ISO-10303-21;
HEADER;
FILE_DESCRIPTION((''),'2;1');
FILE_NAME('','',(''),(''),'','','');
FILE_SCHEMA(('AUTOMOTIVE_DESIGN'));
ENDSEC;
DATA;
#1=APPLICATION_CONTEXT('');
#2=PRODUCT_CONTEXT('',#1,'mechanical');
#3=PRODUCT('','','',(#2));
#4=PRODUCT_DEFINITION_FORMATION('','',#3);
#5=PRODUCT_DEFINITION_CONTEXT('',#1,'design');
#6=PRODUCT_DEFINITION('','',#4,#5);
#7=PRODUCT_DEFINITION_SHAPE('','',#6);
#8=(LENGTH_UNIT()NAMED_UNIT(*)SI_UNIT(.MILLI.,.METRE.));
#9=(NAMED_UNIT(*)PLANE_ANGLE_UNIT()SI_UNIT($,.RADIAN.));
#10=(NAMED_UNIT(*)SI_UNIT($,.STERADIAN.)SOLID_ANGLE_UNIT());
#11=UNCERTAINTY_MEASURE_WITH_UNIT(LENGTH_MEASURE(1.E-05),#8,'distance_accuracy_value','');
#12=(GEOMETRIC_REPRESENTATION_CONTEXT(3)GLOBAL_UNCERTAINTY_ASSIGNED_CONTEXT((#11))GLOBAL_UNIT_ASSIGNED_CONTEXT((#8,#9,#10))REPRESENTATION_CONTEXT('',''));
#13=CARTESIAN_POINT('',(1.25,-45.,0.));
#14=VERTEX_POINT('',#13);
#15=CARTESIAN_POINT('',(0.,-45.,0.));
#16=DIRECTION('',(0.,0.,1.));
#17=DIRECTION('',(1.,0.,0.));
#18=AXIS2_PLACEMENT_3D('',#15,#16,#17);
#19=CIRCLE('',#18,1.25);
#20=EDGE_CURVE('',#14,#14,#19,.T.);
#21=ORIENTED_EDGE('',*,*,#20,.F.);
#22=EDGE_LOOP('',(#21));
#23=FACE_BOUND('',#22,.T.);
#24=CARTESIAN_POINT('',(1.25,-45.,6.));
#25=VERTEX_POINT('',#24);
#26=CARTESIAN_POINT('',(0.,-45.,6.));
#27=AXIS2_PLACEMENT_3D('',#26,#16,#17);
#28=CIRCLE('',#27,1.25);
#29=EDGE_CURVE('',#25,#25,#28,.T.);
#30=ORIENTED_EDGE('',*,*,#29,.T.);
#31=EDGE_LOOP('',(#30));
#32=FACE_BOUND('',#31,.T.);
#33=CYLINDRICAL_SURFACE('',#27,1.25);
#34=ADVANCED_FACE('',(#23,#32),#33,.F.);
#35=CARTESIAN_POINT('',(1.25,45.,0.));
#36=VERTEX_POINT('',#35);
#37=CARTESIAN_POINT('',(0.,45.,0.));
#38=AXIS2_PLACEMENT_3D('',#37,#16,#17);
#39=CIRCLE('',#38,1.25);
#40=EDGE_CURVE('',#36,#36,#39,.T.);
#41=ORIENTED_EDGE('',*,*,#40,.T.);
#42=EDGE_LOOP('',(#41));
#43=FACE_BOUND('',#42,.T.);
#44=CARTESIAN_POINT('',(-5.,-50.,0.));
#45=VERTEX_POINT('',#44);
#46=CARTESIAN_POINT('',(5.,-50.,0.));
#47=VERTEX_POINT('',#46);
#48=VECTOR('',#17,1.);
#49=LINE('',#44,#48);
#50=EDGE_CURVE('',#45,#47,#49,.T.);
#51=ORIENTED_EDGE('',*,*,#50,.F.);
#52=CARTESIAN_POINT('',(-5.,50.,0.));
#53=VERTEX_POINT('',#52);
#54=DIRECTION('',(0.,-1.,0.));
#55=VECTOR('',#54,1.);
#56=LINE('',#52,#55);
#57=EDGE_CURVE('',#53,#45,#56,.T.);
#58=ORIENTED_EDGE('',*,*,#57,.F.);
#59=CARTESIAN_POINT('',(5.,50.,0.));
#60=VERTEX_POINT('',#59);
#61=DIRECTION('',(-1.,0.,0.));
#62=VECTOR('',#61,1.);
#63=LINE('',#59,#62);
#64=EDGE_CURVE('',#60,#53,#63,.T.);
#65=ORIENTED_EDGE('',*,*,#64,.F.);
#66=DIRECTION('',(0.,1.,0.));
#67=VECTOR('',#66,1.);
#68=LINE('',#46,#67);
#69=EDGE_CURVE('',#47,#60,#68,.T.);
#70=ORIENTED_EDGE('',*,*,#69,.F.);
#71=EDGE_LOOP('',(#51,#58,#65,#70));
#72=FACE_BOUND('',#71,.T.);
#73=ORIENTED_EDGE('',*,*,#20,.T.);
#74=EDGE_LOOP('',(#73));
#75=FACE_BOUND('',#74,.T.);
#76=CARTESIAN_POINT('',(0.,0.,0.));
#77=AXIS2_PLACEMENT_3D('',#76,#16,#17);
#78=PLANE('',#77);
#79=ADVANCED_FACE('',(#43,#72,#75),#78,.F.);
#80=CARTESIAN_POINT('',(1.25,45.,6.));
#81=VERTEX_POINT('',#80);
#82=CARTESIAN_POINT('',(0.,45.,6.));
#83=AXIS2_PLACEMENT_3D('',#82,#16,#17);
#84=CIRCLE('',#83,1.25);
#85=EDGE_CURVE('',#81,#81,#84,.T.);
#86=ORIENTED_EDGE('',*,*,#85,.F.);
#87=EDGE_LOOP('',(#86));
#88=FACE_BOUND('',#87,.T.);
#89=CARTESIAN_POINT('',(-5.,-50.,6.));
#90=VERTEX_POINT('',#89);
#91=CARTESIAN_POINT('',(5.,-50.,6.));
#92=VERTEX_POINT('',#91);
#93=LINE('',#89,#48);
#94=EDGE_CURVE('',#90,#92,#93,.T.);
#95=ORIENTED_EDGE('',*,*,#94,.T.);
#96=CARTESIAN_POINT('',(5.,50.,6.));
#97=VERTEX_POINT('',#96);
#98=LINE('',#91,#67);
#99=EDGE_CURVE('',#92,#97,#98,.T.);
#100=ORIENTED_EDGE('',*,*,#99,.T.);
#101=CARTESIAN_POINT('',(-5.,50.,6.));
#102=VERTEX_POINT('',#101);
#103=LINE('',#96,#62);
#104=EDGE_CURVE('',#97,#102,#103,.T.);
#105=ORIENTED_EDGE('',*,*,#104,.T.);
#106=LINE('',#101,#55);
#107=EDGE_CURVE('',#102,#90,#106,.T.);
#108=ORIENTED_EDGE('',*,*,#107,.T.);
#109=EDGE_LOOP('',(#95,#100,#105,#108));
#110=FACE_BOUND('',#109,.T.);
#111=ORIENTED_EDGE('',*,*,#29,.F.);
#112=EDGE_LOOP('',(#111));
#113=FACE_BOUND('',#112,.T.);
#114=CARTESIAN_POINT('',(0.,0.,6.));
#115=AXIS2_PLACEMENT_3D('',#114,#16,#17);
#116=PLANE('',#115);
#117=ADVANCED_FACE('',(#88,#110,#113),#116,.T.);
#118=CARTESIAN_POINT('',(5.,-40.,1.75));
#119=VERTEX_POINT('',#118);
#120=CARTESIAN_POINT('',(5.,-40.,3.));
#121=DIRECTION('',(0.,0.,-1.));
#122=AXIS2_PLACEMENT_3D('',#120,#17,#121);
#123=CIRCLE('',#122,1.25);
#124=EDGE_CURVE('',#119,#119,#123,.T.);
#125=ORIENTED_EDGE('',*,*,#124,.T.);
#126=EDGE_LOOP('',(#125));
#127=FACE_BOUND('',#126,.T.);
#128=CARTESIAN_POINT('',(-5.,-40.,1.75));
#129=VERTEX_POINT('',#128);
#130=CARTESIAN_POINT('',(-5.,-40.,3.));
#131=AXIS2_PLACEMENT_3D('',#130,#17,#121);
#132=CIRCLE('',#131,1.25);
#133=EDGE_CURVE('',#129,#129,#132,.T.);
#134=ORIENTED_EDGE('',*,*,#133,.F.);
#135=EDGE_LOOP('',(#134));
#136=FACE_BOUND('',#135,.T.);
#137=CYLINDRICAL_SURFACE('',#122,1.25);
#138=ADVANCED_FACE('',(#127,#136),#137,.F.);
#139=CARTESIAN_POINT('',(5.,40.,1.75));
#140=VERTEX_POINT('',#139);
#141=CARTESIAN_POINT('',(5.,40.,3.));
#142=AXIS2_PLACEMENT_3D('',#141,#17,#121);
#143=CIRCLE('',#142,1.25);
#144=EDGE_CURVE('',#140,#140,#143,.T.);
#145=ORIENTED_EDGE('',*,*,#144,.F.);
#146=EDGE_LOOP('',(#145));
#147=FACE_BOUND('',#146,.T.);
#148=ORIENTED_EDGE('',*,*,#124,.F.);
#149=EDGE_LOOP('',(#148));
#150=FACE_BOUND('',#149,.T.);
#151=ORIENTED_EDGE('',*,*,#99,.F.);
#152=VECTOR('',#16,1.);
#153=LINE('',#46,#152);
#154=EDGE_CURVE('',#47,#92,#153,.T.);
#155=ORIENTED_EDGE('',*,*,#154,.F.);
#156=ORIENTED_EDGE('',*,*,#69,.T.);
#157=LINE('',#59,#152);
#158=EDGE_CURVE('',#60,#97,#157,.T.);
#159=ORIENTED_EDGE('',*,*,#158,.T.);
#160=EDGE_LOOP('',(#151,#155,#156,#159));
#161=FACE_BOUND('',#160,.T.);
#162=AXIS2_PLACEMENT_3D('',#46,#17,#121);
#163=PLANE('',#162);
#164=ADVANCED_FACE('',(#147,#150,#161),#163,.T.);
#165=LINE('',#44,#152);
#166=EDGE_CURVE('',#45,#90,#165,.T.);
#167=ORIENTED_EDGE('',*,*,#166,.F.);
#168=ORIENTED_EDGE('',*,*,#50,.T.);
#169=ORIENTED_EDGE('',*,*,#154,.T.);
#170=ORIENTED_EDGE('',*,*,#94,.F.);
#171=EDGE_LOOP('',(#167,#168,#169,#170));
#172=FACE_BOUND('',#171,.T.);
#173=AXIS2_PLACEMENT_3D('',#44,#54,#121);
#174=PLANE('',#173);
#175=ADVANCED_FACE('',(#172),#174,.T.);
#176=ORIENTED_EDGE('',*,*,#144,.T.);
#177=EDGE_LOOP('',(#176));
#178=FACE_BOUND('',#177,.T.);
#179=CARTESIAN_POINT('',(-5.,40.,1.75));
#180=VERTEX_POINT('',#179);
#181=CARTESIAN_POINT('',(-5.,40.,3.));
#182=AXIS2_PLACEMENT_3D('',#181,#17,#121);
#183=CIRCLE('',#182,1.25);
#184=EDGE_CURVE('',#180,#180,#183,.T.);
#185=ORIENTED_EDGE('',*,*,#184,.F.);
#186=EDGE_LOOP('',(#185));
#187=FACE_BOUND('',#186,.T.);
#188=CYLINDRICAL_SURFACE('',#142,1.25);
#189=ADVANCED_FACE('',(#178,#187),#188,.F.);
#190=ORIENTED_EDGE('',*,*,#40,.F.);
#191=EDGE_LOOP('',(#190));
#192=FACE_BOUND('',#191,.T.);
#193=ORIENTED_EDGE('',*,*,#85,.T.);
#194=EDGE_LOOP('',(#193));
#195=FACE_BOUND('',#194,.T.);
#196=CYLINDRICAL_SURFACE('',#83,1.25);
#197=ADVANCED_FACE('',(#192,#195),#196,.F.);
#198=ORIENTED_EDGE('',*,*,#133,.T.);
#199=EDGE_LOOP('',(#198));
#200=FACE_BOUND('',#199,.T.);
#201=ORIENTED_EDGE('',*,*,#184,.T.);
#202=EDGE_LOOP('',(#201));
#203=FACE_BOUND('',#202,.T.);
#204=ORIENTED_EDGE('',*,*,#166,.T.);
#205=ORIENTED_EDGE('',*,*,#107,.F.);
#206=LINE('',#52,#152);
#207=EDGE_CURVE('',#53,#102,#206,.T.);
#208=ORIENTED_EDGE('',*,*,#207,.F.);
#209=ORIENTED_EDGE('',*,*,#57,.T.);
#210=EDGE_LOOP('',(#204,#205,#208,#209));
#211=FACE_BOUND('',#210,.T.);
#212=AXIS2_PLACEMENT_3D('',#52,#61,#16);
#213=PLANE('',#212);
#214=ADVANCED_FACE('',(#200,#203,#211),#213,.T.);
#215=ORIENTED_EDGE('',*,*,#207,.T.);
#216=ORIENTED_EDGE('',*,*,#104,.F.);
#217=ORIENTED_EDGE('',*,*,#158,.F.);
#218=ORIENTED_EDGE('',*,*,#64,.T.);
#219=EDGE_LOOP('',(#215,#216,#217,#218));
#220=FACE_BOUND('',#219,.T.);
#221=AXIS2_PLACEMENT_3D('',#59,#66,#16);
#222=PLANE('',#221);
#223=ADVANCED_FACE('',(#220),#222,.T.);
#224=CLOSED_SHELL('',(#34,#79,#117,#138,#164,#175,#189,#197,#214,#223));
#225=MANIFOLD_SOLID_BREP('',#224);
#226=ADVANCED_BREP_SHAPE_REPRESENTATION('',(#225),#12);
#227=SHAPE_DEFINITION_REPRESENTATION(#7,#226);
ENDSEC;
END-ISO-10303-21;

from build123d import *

# Parameters (mm, degrees)
SKETCH1_W                  = 10
SKETCH1_H                  = 100
BOSS_EXTRUDE1_DEPTH        = 6
F_2_5_2_5_DIAMETER_HOLE1_D = 2.5
F_2_5_2_5_DIAMETER_HOLE2_D = 2.5


with BuildPart() as part:
    # Sketch1 → Boss-Extrude1 (new body)
    with BuildSketch(Plane.XY.offset(6)):
        Rectangle(SKETCH1_W, SKETCH1_H)
    extrude(amount=-BOSS_EXTRUDE1_DEPTH)

    # Ø2.5 (2.5) Diameter Hole1 (through all)
    with Locations(Plane.XY.offset(6)):
        with Locations((0, 45), (0, -45)):
            Hole(F_2_5_2_5_DIAMETER_HOLE1_D / 2)

    # Ø2.5 (2.5) Diameter Hole2 (through all)
    with Locations(Plane(origin=(5, 0, 0), x_dir=(0, 0, -1), z_dir=(1, 0, 0))):
        with Locations((-3, 40), (-3, -40)):
            Hole(F_2_5_2_5_DIAMETER_HOLE2_D / 2)


solid = part.part
